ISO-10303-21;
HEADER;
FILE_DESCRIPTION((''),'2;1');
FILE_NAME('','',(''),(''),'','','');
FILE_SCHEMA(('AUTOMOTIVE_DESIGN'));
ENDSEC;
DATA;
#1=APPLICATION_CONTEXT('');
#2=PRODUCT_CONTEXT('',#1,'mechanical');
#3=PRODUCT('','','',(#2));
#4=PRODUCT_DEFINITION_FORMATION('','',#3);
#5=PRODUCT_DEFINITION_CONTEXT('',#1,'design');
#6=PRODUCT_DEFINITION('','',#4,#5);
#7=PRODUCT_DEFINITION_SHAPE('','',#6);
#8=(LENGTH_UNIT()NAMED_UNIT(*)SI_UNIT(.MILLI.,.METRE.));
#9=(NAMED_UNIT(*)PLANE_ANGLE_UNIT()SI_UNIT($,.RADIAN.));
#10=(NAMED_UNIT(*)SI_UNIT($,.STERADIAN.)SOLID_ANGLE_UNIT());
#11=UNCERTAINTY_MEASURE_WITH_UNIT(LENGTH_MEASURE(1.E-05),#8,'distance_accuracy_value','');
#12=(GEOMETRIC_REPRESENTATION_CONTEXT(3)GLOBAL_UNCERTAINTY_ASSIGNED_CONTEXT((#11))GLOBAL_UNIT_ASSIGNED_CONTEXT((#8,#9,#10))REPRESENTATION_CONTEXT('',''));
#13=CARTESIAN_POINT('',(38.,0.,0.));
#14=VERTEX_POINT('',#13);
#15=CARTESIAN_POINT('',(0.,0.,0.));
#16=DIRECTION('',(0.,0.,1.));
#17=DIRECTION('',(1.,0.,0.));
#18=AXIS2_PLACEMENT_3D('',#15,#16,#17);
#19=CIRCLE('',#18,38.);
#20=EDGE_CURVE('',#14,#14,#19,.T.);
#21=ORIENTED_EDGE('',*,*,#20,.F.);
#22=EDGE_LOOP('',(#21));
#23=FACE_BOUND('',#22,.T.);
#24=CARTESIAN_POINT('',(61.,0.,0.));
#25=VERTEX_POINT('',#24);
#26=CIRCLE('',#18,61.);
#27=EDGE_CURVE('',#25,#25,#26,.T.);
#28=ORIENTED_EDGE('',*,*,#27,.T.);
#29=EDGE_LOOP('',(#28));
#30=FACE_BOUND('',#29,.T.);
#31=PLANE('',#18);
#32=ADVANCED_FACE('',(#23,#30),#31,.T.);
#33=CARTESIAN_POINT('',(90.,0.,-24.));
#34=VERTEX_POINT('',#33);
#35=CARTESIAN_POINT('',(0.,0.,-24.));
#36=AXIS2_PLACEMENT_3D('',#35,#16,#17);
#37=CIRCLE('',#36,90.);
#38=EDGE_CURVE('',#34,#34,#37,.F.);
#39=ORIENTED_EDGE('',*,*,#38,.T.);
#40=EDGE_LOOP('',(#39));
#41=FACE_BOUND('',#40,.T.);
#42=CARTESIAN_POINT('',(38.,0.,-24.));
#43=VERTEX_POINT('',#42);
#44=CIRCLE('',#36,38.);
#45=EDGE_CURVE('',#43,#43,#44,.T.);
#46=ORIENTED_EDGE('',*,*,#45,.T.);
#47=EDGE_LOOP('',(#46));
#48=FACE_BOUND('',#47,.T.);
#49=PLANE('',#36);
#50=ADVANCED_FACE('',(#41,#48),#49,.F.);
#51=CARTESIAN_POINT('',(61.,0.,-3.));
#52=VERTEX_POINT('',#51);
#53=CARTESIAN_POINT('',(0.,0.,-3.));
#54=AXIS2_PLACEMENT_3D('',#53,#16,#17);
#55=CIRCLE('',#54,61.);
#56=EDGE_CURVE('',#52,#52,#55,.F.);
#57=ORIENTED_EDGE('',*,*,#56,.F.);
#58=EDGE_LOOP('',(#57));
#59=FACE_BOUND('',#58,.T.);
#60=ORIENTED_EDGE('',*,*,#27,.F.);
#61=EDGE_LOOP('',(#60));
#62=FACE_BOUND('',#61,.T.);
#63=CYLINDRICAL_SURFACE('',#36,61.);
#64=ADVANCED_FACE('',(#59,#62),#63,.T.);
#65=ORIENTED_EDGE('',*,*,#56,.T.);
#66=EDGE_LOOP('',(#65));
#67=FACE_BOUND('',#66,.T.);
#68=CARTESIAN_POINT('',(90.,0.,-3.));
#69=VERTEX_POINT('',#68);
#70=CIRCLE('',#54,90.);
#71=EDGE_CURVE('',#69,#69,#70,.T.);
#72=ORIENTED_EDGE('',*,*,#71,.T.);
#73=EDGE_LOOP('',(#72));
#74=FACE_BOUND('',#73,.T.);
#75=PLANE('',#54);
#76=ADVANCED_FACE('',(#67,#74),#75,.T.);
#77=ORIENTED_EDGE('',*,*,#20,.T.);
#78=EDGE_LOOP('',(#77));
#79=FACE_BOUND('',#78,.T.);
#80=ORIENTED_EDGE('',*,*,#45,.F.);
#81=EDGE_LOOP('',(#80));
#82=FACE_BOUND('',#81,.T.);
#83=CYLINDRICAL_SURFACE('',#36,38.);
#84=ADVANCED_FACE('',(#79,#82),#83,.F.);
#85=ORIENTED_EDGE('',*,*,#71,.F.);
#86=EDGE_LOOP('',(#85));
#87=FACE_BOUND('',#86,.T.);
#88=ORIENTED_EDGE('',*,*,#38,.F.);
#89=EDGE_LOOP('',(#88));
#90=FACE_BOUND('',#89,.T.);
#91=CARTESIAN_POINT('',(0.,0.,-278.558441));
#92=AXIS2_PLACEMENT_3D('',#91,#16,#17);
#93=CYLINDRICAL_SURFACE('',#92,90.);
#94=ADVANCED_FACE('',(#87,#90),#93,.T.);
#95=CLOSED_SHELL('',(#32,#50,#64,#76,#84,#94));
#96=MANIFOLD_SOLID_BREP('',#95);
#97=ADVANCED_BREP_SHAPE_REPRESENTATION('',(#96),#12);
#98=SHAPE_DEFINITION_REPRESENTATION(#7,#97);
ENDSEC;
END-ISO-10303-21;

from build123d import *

# Parameters (mm, degrees)
HUB_DIAMETER_R      = 61
HUB_DEPTH           = 24
FLANGE_DIAMETER_R   = 90
FLANGE_DEPTH        = 21
SKETCH_1_R          = 38
CUT_EXTRUDE_1_DEPTH = 130.52219887


with BuildPart() as part:
    # Hub Diameter → Hub (new body)
    with BuildSketch(Plane.XY):
        Circle(HUB_DIAMETER_R)
    extrude(amount=-HUB_DEPTH)

    # Flange Diameter → Flange (add)
    with BuildSketch(Plane.XY.offset(-3)):
        Circle(FLANGE_DIAMETER_R)
    extrude(amount=-FLANGE_DEPTH)

    # Эскиз1 → Вырез-Вытянуть1 (cut, through all)
    with BuildSketch(Plane.XY):
        Circle(SKETCH_1_R)
    extrude(amount=-CUT_EXTRUDE_1_DEPTH, mode=Mode.SUBTRACT)


solid = part.part
